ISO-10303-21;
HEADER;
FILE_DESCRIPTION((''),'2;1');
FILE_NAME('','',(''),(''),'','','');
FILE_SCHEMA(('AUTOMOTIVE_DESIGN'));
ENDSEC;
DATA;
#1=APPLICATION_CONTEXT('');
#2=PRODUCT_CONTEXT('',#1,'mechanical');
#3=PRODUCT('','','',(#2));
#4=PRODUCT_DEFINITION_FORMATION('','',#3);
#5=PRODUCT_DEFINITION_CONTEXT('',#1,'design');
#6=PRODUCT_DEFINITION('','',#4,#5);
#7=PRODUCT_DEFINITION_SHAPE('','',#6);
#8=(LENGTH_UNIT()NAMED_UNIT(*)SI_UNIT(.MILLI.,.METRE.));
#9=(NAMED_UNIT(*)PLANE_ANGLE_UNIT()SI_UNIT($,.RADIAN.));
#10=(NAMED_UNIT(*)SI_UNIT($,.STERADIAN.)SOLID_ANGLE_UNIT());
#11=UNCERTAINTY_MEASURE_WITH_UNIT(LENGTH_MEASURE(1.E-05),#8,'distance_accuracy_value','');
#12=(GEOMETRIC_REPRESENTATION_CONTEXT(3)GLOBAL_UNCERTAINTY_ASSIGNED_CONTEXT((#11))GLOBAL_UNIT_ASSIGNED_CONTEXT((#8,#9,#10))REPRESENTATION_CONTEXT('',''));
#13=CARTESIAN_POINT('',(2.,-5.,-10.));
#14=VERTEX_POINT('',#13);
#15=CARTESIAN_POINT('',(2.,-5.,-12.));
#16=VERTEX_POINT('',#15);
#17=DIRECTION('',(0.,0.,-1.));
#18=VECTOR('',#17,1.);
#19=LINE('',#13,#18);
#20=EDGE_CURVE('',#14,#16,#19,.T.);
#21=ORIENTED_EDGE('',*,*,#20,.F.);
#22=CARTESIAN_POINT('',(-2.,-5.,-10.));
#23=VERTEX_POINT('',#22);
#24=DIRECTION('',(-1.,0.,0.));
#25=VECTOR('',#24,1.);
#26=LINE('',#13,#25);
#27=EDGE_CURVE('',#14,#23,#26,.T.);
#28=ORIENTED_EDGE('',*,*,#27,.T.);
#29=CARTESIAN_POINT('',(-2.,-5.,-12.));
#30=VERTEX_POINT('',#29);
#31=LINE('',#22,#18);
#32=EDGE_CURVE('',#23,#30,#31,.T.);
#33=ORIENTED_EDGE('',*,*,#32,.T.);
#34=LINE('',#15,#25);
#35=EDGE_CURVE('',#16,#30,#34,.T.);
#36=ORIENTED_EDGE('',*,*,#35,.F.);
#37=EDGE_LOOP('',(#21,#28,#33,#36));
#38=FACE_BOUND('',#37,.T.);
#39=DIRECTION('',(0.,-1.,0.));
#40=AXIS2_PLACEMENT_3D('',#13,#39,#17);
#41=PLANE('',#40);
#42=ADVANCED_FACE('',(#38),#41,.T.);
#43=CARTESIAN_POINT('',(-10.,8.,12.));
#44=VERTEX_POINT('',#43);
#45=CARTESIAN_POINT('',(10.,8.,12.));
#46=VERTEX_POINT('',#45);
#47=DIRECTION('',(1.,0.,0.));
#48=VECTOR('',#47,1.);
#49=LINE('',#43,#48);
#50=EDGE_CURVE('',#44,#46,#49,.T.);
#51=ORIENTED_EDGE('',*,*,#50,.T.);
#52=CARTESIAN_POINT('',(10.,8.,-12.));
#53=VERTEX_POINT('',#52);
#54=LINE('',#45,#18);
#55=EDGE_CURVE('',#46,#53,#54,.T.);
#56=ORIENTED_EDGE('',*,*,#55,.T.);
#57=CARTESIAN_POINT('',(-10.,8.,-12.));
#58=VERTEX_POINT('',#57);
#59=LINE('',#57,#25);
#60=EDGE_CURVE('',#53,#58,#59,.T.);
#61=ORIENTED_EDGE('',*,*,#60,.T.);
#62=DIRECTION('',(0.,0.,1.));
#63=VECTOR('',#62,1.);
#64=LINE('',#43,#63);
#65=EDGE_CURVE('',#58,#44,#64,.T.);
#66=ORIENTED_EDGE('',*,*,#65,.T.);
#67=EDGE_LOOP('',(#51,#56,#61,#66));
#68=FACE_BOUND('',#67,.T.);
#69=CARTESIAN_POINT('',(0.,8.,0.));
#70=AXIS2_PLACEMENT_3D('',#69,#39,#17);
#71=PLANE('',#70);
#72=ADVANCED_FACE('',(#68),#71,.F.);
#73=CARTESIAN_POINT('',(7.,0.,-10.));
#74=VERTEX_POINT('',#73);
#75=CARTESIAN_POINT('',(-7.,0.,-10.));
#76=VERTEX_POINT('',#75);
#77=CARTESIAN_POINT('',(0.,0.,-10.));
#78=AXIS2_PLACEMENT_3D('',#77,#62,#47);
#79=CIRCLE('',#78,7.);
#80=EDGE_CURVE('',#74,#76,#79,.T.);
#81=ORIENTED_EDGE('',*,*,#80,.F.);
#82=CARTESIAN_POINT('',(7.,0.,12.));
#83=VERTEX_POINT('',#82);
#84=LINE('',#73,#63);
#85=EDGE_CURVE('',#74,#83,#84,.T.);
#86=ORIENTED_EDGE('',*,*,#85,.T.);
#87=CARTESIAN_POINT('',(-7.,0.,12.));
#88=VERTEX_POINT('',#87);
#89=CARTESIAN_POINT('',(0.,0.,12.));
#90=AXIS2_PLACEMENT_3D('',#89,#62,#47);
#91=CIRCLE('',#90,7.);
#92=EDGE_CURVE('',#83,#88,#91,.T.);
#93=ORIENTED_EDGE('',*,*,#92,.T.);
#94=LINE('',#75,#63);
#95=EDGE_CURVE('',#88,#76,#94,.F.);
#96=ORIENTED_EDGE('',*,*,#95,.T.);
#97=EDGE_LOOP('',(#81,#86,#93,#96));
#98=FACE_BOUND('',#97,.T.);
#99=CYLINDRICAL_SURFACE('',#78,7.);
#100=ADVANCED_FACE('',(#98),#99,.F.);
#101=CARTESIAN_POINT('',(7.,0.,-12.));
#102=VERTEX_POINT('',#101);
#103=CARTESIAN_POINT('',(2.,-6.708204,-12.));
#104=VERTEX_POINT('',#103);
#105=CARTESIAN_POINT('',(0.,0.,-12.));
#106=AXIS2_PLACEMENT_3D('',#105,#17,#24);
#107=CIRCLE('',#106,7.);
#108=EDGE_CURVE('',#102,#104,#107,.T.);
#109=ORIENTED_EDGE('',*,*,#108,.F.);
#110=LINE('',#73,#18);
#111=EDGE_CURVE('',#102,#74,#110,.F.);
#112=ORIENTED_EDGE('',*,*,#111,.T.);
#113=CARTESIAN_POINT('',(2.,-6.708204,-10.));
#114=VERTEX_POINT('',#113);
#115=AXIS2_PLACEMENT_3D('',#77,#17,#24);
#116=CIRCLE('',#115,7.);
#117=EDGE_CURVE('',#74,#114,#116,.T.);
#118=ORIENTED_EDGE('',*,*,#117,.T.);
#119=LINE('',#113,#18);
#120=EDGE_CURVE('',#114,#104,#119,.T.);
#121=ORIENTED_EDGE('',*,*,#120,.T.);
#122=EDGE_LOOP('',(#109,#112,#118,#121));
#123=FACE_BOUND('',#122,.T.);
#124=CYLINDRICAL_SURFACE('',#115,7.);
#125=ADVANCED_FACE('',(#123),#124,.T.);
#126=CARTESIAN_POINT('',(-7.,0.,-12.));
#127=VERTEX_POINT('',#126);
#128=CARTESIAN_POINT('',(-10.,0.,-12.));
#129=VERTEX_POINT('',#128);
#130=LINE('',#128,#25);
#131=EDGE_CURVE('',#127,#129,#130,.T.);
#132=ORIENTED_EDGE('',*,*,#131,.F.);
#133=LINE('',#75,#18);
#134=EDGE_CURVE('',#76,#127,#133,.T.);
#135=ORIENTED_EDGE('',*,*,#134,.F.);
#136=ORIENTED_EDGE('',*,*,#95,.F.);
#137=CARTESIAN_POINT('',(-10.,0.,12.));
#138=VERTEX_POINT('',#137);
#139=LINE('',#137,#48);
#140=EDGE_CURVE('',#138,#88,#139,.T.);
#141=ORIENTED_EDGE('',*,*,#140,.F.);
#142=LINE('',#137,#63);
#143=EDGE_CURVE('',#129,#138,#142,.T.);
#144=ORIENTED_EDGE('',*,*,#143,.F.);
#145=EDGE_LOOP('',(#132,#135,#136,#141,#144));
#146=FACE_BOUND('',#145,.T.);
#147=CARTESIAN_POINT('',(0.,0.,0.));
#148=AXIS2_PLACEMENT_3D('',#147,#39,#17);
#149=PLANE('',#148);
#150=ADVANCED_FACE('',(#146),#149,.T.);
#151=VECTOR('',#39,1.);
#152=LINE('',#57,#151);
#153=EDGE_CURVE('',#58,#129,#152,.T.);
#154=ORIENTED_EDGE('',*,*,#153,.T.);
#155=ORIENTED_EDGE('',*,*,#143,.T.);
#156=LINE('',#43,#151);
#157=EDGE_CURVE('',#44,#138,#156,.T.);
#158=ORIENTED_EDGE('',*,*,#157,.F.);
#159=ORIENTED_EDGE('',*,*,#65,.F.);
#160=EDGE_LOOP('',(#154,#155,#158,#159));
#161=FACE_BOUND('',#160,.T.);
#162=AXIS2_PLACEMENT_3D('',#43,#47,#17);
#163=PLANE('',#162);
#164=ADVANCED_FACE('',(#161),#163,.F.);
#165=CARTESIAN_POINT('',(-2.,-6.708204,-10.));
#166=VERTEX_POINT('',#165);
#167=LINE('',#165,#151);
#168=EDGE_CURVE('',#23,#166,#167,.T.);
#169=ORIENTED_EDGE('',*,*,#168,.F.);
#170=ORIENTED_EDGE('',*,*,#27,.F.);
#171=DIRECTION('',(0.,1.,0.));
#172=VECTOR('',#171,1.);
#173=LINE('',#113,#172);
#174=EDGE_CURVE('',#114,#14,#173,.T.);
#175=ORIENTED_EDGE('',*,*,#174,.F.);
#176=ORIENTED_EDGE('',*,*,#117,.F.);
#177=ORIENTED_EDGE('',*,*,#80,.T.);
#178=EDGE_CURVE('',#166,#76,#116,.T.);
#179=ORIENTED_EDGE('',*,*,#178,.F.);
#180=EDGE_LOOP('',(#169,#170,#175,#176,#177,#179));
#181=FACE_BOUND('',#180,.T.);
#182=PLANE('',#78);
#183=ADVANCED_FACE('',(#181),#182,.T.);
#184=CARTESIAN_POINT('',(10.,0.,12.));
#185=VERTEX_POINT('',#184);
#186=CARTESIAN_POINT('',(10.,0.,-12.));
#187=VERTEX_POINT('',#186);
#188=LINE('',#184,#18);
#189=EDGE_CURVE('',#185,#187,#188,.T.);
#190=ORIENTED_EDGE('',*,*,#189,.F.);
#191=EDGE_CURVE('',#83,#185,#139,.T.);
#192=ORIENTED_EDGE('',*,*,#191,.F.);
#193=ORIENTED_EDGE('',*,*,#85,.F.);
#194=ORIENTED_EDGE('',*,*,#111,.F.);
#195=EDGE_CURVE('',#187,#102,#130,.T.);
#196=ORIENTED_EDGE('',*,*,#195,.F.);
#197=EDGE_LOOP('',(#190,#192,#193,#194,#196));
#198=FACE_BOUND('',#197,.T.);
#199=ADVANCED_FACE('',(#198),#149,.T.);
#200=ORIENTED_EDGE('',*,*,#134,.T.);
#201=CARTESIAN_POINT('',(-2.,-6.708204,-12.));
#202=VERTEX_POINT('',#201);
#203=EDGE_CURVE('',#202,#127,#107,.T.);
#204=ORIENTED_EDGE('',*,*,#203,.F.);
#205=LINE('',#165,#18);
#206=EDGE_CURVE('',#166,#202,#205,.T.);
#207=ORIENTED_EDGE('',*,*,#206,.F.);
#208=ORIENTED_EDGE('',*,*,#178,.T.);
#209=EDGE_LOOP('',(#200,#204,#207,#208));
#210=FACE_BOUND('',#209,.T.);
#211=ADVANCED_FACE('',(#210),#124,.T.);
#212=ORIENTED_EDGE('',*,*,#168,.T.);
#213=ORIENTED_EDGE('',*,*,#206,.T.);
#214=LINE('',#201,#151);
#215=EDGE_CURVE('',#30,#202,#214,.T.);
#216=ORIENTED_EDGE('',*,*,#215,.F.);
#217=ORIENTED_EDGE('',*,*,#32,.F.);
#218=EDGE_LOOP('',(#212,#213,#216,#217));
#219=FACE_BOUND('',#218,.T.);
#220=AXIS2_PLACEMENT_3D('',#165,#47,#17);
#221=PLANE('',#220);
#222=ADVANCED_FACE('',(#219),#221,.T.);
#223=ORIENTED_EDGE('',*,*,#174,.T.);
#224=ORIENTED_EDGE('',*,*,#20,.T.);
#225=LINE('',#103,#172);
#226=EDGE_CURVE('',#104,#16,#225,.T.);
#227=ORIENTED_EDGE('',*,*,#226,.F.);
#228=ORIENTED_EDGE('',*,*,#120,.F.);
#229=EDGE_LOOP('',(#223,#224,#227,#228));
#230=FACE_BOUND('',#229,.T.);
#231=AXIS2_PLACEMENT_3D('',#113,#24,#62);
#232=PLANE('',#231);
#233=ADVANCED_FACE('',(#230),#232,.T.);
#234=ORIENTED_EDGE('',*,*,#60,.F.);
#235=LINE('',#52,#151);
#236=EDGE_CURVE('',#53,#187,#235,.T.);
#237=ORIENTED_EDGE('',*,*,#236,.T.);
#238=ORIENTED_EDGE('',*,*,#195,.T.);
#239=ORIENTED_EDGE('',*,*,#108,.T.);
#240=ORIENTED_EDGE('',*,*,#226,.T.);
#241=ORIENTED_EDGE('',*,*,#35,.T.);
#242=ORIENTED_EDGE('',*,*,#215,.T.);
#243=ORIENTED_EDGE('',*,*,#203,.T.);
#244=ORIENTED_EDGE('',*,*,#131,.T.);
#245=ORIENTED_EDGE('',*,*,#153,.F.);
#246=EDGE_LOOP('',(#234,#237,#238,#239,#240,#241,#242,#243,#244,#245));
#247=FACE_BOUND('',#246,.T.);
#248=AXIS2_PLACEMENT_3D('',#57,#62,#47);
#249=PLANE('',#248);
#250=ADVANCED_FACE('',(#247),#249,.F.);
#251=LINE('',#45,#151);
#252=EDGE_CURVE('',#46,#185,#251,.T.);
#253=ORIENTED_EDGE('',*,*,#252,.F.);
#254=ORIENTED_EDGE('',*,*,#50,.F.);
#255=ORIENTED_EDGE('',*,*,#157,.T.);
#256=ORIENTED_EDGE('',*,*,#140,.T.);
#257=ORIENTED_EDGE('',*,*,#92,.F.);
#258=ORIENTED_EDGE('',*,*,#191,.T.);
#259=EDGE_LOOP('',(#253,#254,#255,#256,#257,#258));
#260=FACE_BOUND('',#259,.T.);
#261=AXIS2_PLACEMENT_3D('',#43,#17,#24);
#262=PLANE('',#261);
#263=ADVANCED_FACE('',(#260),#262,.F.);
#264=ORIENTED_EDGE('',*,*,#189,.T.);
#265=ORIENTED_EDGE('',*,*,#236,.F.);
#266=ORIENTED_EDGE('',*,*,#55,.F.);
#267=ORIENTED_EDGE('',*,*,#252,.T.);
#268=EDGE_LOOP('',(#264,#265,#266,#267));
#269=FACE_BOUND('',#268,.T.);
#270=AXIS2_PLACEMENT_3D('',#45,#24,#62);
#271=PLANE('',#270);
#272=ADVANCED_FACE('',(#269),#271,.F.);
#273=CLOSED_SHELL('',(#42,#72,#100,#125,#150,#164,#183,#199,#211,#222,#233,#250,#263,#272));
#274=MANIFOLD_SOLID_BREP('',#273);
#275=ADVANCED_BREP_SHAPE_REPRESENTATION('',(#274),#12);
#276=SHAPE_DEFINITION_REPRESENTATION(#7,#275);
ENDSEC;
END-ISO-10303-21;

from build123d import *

# Parameters (mm, degrees)
SKETCH1_W           = 20
SKETCH1_H           = 24
BOSS_EXTRUDE1_DEPTH = 8
SKETCH2_R           = 7
CUT_EXTRUDE1_DEPTH  = 22
BOSS_EXTRUDE2_DEPTH = 2


with BuildPart() as part:
    # Sketch1 → Boss-Extrude1 (new body)
    with BuildSketch(Plane(origin=(0, 0, 0), x_dir=(1, 0, 0), z_dir=(0, 1, 0))):
        Rectangle(SKETCH1_W, SKETCH1_H)
    extrude(amount=BOSS_EXTRUDE1_DEPTH)

    # Sketch2 → Cut-Extrude1 (cut)
    with BuildSketch(Plane.XY.offset(12)):
        Circle(SKETCH2_R)
    extrude(amount=-CUT_EXTRUDE1_DEPTH, mode=Mode.SUBTRACT)

    # Sketch3 → Boss-Extrude2 (add)
    with BuildSketch(Plane(origin=(0, 0, -12), x_dir=(-1, 0, 0), z_dir=(0, 0, -1))):
        with BuildLine():
            Line((-2, -6.708203932), (-2, -5))
            Line((-2, -5), (2, -5))
            Line((2, -5), (2, -6.708203932))
            ThreePointArc((2, -6.708203932), (0, 7), (-2, -6.708203932))
        make_face()
    extrude(amount=-BOSS_EXTRUDE2_DEPTH)


solid = part.part
